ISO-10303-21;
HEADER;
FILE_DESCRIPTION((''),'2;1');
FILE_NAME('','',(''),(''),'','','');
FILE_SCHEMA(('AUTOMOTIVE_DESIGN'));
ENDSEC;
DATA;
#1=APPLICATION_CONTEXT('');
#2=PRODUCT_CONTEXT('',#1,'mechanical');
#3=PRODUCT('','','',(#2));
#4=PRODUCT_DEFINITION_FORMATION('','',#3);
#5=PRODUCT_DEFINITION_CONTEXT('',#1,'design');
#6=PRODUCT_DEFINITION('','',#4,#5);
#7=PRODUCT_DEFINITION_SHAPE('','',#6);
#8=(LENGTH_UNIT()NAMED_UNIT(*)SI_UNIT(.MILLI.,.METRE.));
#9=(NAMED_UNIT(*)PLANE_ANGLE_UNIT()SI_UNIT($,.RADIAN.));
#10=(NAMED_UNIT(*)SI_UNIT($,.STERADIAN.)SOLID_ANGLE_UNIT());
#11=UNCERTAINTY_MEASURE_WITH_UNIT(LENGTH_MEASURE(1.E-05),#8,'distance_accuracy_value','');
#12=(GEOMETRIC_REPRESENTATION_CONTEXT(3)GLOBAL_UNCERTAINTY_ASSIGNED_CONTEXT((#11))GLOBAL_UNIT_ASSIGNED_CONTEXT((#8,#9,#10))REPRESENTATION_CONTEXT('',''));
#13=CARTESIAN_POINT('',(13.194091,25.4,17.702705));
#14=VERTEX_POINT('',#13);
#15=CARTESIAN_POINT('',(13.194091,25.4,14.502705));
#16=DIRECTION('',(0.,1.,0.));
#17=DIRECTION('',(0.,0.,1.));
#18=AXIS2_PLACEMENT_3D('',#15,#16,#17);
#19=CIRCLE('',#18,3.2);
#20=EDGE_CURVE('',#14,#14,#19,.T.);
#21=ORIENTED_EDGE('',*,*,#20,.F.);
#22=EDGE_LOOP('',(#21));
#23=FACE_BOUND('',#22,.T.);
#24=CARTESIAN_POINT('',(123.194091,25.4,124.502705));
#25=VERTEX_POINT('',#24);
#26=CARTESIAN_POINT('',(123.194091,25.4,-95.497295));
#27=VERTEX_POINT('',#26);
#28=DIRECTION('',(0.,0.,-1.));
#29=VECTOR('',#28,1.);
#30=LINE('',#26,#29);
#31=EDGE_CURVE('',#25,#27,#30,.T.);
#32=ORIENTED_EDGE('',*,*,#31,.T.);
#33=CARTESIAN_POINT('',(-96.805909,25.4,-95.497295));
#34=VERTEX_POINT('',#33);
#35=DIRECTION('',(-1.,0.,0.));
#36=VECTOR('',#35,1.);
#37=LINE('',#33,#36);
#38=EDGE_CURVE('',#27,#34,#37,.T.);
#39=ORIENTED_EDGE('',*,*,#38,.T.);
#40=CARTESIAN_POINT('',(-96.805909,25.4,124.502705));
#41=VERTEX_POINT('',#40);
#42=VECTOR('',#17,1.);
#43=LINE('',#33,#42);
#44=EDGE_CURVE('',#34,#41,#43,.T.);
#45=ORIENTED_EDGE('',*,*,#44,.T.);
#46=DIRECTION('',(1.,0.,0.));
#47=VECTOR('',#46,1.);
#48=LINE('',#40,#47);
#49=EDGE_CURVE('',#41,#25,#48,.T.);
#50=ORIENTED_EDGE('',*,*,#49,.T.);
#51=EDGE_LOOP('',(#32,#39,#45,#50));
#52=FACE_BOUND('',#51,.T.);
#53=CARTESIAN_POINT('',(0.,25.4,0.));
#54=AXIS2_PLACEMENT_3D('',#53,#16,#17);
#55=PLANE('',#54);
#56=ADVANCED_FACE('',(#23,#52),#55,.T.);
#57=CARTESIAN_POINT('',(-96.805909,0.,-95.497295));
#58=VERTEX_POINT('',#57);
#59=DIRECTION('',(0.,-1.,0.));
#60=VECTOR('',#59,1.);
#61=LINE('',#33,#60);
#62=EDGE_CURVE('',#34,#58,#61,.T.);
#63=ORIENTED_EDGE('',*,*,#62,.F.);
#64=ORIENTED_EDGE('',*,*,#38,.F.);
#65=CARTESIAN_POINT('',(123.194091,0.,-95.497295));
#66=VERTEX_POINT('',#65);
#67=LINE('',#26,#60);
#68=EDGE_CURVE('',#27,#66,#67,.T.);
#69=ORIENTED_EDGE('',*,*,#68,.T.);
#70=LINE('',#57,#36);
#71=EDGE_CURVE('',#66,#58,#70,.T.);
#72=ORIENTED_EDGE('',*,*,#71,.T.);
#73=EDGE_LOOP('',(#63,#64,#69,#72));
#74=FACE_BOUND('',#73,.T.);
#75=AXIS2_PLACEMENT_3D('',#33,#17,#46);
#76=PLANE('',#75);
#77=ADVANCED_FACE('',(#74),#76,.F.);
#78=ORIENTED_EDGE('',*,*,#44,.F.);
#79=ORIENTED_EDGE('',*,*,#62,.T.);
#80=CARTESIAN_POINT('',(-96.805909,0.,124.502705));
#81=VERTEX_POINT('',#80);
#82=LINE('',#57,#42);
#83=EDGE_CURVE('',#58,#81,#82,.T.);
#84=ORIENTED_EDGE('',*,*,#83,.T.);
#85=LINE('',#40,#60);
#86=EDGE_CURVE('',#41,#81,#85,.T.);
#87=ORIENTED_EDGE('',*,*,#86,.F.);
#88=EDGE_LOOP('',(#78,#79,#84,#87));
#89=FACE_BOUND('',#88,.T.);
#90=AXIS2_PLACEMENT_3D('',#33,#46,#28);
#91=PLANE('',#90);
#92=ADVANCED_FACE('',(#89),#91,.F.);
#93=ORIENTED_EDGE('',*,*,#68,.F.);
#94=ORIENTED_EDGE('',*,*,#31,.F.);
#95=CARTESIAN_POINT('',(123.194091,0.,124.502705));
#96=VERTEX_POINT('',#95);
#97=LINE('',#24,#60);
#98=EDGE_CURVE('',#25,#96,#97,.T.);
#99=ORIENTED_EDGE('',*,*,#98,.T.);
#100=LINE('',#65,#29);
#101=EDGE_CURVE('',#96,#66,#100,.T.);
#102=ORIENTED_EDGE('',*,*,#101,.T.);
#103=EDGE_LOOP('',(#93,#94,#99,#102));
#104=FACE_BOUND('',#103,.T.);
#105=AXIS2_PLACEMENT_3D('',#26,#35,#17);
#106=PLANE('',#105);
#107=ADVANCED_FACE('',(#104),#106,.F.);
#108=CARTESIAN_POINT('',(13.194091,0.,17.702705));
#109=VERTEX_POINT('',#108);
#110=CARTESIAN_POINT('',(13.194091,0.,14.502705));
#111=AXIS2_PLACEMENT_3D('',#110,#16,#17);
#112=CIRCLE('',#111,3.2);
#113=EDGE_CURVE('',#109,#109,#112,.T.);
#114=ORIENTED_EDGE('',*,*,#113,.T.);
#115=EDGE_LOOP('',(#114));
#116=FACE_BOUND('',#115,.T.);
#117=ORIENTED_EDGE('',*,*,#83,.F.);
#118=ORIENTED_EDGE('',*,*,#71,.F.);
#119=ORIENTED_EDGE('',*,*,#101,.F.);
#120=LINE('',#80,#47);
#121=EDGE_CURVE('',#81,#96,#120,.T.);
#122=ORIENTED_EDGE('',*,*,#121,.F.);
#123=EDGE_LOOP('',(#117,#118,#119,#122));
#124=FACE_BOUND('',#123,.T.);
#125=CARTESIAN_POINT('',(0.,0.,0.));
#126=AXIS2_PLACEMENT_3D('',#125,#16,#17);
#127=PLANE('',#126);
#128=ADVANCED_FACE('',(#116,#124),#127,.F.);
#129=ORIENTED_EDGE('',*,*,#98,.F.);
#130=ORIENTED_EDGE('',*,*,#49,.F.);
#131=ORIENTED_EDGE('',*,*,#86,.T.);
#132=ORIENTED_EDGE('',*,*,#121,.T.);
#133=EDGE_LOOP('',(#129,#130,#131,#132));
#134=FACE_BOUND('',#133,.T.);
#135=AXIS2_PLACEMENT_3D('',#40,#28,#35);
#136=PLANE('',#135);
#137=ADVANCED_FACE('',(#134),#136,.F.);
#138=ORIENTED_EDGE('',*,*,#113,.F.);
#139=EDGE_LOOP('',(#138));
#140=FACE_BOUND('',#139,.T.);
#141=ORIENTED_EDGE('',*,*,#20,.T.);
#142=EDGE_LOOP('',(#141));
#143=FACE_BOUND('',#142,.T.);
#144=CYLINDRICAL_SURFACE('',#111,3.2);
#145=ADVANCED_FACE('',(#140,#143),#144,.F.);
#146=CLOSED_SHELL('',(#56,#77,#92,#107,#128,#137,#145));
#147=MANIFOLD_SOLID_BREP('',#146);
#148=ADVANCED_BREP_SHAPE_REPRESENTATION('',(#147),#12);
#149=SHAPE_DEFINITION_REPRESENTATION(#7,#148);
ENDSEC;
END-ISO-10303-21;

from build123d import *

# Parameters (mm, degrees)
SKETCH1_W           = 220
SKETCH1_H           = 220
BOSS_EXTRUDE1_DEPTH = 25.4
SKETCH2_R           = 3.2
CUT_EXTRUDE1_DEPTH  = 25.4


with BuildPart() as part:
    # Sketch1 → Boss-Extrude1 (new body)
    with BuildSketch(Plane(origin=(0, 0, 0), x_dir=(1, 0, 0), z_dir=(0, 1, 0))):
        with Locations((13.194090539, -14.502705466)):
            Rectangle(SKETCH1_W, SKETCH1_H)
    extrude(amount=BOSS_EXTRUDE1_DEPTH)

    # Sketch2 → Cut-Extrude1 (cut)
    with BuildSketch(Plane(origin=(0, 25.4, 0), x_dir=(1, 0, 0), z_dir=(0, 1, 0))):
        with Locations(Location((13.194090539, -14.502705466, 0), (0, 0, 270))):
            Circle(SKETCH2_R)
    extrude(amount=-CUT_EXTRUDE1_DEPTH, mode=Mode.SUBTRACT)


solid = part.part
